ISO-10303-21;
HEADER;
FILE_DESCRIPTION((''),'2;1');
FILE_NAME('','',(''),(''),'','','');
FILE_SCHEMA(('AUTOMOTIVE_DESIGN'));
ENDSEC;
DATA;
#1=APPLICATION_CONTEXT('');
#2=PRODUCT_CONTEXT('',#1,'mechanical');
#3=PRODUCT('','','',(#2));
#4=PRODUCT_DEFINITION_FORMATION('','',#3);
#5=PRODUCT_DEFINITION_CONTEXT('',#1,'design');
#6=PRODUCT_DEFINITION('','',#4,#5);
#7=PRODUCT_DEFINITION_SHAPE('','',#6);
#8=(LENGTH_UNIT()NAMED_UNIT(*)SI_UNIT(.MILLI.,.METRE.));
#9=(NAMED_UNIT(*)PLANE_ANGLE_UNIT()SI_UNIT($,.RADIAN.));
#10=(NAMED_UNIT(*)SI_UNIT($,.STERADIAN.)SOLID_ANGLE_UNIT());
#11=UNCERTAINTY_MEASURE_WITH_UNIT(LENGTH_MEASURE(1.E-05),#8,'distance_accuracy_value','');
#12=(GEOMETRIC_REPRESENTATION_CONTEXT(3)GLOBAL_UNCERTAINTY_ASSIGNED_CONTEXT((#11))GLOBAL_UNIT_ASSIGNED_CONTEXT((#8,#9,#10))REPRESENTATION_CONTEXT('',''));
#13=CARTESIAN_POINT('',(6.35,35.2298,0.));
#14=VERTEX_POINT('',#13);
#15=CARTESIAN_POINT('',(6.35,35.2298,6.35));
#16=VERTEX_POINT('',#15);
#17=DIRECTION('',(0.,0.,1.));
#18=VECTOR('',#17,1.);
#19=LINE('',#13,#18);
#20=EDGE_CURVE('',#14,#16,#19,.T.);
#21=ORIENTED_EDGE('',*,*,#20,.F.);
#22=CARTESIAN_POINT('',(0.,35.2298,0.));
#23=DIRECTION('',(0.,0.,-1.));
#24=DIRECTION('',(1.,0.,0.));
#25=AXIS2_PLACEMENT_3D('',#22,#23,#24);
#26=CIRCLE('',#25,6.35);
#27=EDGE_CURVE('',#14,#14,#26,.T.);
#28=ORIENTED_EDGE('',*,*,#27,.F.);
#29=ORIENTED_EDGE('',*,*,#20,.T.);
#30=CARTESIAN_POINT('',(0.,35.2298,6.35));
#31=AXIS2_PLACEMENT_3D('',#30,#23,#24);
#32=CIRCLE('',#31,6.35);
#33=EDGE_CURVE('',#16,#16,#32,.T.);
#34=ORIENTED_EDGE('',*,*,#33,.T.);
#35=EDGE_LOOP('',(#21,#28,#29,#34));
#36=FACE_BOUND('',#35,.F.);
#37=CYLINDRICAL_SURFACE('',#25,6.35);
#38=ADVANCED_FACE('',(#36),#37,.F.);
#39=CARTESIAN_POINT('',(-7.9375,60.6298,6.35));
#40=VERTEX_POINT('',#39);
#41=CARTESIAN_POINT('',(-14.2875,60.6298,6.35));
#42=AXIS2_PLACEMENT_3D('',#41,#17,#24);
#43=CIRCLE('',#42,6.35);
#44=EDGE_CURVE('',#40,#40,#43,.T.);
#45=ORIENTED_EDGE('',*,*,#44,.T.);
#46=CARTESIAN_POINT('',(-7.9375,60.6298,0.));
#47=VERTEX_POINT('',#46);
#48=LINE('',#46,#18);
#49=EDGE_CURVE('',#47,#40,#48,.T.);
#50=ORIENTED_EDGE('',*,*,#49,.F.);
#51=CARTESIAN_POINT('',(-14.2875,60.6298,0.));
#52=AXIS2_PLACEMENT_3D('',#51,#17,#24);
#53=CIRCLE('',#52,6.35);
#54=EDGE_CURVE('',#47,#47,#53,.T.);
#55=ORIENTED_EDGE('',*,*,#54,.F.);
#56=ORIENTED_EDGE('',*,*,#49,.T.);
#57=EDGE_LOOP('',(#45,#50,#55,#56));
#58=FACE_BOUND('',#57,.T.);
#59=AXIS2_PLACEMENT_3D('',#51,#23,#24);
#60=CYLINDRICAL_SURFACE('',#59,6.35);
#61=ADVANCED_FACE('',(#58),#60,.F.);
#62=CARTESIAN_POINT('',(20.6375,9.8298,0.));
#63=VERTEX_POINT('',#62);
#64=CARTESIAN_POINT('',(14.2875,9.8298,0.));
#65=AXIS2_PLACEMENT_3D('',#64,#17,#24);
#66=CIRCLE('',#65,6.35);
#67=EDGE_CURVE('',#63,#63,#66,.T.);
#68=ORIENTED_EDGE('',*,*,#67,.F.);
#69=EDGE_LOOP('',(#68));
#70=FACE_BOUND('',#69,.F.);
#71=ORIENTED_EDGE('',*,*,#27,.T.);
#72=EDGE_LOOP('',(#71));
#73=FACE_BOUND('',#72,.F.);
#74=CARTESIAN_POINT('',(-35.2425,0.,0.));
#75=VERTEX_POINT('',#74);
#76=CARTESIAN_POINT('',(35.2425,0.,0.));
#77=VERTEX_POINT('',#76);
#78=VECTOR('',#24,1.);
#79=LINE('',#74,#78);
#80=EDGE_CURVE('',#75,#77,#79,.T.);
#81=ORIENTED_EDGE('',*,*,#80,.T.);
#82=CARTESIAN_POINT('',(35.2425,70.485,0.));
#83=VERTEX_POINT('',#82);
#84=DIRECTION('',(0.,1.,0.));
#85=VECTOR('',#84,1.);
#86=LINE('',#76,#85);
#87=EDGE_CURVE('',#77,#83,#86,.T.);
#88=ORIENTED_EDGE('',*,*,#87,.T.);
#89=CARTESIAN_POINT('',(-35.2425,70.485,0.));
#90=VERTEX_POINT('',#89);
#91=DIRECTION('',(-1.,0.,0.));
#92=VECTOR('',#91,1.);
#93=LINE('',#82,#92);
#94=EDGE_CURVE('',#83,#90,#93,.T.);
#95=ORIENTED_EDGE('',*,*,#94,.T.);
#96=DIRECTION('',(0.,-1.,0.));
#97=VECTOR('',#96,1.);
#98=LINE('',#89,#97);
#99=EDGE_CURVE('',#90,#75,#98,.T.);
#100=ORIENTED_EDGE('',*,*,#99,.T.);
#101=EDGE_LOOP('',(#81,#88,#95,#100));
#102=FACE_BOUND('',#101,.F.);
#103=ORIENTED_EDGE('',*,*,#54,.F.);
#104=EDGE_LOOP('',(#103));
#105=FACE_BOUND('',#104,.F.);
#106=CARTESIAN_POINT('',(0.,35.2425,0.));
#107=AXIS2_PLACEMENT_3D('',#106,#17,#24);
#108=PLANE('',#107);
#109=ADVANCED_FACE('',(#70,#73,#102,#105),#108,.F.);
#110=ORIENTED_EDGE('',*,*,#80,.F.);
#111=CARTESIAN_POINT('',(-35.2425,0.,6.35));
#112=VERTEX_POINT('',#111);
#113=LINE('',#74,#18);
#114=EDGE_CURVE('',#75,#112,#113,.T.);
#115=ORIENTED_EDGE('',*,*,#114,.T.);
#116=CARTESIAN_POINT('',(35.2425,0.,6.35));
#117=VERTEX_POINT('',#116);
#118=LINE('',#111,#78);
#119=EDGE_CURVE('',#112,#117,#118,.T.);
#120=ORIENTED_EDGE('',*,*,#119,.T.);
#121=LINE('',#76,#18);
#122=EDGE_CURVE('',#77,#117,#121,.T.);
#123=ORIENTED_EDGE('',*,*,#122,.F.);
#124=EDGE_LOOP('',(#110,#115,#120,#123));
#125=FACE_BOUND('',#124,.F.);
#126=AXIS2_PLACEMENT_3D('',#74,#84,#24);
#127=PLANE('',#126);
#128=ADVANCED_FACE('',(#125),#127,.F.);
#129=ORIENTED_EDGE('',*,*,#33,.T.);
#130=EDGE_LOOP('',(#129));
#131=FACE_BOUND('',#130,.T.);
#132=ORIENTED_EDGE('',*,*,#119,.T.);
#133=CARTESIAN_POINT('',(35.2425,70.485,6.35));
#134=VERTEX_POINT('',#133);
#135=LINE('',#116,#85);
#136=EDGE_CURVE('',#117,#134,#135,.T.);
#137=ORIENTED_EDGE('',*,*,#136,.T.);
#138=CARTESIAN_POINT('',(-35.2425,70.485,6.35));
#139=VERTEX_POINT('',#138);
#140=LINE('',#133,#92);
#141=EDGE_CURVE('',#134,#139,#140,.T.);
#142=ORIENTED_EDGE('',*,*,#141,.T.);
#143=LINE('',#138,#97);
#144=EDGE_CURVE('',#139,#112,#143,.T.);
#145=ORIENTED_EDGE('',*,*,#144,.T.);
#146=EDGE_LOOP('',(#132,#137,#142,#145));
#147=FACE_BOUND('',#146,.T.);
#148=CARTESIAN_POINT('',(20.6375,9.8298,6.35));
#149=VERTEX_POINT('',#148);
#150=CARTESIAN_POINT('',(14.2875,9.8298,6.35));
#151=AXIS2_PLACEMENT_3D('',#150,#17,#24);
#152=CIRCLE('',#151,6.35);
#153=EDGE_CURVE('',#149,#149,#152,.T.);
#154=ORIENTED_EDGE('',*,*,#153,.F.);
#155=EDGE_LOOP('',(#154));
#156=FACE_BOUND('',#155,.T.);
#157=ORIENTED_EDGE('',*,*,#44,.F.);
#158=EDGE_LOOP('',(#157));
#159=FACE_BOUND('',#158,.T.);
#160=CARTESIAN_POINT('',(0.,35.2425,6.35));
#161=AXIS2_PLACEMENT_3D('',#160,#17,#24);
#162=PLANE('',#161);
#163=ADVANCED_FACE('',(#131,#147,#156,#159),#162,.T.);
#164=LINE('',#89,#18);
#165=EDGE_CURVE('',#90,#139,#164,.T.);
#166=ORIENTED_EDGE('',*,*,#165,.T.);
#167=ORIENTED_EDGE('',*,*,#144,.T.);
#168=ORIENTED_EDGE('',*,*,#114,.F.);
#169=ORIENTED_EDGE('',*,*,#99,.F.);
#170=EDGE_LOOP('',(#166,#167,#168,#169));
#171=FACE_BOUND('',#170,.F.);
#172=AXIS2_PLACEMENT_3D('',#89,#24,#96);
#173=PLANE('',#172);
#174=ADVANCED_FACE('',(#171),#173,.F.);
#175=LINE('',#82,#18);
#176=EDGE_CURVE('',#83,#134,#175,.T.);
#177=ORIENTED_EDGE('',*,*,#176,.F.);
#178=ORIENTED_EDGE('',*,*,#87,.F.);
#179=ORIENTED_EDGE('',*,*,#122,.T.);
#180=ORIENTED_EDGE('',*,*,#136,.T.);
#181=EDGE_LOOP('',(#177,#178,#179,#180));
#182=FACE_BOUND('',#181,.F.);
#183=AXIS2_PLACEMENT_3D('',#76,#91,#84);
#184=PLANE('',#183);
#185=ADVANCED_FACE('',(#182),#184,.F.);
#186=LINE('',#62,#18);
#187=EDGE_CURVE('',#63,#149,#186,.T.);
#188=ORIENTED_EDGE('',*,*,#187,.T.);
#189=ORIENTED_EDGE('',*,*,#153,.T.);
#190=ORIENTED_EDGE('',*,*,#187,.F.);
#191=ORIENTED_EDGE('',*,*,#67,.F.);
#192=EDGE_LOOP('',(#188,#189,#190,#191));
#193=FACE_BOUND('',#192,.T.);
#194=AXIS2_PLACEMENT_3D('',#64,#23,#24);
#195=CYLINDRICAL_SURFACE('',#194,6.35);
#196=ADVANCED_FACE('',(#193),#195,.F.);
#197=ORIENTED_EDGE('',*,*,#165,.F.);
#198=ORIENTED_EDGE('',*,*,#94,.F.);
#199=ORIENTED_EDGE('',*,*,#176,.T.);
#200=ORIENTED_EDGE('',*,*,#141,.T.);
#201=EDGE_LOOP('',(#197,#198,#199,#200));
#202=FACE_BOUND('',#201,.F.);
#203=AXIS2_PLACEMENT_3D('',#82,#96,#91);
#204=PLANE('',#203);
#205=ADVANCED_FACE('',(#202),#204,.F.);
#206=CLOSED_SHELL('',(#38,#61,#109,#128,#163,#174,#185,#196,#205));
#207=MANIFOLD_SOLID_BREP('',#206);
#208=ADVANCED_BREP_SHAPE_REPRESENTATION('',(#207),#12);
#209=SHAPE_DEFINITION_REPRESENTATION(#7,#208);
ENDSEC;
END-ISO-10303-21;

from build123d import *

# Parameters (mm, degrees)
F0_R     = 6.35
F1_DEPTH = 6.35
F2_R     = 6.35
F3_DEPTH = 6.351


with BuildPart() as f1:
    # F0 (on Top) → F1 (new body)
    with BuildSketch(Plane.XY):
        Polygon((-35.2425, 70.485), (-35.2425, 0), (-6.35, 0), (6.35, 0), (35.2425, 0), (35.2425, 70.485), align=None)
        with Locations((14.2875, 9.8298)):
            Circle(F0_R, mode=Mode.SUBTRACT)
        with Locations((-14.2875, 60.6298)):
            Circle(F0_R, mode=Mode.SUBTRACT)
    extrude(amount=F1_DEPTH)

    # F2 (on face) → F3 (cut, through all)
    with BuildSketch(Plane(origin=(0, 0, 0), x_dir=(1, 0, 0), z_dir=(0, 0, -1))):
        with Locations((0, -35.2298)):
            Circle(F2_R)
    extrude(amount=-F3_DEPTH, mode=Mode.SUBTRACT)


solid = f1.part
